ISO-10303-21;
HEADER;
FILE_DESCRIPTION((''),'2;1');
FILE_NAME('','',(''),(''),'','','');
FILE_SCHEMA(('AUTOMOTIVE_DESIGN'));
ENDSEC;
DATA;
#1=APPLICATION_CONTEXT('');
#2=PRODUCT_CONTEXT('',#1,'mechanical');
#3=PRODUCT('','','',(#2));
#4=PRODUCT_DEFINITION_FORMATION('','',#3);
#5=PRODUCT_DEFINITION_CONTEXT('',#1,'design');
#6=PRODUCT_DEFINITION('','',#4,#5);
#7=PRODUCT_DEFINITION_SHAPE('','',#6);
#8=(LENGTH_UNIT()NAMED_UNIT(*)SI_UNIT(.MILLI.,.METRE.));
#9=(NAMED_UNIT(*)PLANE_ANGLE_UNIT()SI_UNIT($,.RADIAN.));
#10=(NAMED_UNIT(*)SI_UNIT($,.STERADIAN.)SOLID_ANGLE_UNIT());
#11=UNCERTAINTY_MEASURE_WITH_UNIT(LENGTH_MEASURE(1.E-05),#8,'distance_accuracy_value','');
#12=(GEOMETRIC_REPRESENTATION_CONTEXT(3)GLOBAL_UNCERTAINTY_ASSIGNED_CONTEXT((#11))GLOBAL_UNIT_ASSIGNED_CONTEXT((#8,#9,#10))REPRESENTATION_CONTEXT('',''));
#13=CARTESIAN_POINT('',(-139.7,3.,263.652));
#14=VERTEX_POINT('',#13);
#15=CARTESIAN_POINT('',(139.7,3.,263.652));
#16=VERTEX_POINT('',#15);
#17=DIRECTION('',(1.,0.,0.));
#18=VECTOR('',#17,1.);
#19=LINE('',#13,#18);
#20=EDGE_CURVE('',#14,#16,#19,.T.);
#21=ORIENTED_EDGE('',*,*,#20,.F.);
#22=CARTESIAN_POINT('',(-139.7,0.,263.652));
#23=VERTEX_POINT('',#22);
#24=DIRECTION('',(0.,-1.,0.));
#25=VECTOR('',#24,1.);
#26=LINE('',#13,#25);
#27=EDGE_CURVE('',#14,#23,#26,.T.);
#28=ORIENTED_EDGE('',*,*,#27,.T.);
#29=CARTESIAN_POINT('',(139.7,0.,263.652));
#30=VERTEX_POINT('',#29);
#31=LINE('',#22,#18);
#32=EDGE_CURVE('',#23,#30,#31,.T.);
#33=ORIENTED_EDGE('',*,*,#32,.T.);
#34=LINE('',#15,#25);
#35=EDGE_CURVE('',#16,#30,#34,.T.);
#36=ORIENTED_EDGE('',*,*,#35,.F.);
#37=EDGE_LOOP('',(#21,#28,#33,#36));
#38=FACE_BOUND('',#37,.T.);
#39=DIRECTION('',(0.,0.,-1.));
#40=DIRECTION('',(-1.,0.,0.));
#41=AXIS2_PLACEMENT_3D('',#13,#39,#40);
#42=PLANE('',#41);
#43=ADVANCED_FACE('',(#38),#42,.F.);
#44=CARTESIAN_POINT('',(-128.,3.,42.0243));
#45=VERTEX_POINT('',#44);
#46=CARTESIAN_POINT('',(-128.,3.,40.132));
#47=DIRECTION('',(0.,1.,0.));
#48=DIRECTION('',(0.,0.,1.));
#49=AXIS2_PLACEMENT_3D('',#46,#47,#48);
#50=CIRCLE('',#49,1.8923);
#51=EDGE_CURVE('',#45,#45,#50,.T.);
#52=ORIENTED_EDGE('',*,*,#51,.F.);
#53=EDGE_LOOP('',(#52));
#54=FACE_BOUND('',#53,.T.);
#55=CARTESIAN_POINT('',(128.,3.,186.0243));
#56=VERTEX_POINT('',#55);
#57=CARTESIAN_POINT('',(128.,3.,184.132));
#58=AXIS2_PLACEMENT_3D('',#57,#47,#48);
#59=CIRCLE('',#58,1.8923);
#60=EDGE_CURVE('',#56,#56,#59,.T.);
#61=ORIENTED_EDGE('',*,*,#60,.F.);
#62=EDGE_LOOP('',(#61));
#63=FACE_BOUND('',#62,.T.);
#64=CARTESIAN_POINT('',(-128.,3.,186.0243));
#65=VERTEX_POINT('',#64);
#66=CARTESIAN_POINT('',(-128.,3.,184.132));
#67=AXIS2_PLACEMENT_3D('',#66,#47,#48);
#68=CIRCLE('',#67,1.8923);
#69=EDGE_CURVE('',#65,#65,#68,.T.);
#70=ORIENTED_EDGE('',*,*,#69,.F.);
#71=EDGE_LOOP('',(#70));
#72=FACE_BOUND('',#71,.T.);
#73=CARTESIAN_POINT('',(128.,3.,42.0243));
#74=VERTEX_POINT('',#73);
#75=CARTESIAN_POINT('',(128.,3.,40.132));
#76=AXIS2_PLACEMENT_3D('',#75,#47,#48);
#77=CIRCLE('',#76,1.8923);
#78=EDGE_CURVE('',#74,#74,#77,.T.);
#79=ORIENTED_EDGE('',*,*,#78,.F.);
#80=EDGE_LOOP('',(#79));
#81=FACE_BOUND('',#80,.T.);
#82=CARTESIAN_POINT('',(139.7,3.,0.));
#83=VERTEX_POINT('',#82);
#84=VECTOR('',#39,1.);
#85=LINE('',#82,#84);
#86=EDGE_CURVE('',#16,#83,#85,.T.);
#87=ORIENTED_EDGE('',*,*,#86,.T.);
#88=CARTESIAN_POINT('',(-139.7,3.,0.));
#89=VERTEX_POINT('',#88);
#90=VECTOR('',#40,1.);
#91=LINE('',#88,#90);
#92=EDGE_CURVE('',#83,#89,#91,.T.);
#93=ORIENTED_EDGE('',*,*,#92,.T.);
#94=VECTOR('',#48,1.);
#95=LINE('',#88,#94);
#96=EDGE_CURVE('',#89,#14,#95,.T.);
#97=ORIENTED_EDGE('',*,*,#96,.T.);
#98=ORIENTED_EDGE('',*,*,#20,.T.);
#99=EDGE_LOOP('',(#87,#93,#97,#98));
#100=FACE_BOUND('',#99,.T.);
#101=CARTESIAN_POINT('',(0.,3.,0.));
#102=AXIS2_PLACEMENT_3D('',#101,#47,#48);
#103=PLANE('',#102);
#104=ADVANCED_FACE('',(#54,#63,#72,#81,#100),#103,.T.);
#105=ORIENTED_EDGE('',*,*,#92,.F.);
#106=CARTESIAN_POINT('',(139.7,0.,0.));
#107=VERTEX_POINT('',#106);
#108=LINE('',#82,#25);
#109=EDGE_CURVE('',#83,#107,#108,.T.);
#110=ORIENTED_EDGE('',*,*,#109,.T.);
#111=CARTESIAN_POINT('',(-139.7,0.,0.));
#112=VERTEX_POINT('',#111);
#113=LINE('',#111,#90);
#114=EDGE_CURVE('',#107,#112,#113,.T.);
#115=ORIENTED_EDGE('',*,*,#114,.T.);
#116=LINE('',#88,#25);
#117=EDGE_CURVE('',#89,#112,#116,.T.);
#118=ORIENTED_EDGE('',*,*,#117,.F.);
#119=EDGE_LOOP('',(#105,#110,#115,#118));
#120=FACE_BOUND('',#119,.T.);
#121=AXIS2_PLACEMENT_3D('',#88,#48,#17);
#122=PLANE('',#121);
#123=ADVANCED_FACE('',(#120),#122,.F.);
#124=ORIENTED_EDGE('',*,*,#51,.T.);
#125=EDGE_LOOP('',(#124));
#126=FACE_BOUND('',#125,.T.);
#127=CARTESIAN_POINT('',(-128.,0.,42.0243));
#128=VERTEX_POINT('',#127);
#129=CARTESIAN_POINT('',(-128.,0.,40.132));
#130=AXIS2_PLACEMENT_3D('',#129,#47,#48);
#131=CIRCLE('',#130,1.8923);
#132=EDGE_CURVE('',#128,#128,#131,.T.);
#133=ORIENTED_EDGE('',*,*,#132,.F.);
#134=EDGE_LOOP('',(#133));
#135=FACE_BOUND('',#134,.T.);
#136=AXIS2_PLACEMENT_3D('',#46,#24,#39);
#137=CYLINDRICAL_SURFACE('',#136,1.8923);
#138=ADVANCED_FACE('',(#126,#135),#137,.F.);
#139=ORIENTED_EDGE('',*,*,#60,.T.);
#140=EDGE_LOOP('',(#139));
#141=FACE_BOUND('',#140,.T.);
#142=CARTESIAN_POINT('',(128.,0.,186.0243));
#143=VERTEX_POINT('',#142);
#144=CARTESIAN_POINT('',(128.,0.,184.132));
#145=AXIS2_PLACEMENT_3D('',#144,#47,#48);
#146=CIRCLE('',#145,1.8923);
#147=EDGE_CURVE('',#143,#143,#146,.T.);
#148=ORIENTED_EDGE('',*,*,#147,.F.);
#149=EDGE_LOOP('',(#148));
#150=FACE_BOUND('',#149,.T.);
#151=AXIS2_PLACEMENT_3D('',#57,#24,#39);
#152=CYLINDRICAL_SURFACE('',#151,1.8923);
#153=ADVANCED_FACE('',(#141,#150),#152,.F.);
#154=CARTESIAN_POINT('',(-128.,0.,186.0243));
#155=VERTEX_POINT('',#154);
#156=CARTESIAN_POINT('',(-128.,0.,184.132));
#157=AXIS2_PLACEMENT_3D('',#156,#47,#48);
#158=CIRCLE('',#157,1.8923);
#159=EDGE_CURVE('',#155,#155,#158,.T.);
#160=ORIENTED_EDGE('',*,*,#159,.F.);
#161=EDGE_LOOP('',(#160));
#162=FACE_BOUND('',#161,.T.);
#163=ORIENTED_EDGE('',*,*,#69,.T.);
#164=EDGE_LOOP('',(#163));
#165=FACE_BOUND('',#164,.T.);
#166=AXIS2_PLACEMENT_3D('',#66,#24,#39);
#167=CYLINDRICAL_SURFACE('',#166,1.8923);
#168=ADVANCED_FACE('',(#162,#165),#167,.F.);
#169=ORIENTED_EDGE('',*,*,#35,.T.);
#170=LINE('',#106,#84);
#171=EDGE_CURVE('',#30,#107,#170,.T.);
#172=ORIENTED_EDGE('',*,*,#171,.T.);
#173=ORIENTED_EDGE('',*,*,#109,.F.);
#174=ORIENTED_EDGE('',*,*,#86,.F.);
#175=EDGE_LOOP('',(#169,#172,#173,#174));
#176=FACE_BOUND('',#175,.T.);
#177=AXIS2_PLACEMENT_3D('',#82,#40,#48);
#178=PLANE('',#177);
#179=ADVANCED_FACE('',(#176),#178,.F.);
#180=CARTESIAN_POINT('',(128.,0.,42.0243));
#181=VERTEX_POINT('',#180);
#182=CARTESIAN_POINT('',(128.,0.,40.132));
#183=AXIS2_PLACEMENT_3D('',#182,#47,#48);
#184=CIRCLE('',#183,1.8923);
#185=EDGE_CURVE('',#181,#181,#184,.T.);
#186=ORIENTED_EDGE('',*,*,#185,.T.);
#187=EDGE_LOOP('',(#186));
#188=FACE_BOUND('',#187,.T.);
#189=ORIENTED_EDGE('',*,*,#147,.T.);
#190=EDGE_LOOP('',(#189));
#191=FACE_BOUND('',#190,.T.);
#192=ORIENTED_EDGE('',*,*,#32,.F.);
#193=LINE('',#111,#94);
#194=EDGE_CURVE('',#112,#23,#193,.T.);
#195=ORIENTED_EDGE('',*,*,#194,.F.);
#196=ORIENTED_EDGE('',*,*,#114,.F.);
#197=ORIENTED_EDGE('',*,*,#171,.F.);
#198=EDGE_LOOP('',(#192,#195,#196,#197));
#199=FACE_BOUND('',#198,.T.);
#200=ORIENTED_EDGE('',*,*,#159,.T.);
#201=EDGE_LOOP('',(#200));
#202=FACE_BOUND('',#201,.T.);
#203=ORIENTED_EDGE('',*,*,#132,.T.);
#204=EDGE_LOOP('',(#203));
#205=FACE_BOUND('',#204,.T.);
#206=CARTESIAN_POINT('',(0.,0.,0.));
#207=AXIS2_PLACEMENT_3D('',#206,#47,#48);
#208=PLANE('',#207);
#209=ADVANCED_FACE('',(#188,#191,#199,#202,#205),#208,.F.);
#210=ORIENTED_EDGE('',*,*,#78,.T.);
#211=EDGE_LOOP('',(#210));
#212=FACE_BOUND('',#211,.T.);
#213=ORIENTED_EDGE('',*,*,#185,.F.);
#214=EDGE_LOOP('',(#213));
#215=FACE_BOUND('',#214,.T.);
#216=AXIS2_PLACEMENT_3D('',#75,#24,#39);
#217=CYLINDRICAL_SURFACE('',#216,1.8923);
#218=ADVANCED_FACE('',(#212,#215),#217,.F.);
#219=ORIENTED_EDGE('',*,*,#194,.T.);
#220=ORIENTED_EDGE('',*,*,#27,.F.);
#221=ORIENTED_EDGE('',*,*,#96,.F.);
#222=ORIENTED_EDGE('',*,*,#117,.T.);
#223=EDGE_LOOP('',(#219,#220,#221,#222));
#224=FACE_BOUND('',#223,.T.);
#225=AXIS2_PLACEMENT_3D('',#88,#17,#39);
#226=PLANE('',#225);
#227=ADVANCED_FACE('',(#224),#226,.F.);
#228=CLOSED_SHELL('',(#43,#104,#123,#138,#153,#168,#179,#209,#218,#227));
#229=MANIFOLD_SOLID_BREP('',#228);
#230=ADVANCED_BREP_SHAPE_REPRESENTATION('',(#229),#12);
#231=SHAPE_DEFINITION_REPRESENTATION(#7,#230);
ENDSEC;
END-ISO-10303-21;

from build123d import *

# Parameters (mm, degrees)
SKETCH1_W           = 279.4
SKETCH1_H           = 263.652
SKETCH1_R           = 1.8923
BOSS_EXTRUDE1_DEPTH = 3


with BuildPart() as part:
    # Sketch1 → Boss-Extrude1 (new body)
    with BuildSketch(Plane(origin=(0, 0, 0), x_dir=(1, 0, 0), z_dir=(0, 1, 0))):
        with Locations((0, -131.826)):
            Rectangle(SKETCH1_W, SKETCH1_H)
        with Locations((-128, -40.132)):
            Circle(SKETCH1_R, mode=Mode.SUBTRACT)
        with Locations((128, -40.132)):
            Circle(SKETCH1_R, mode=Mode.SUBTRACT)
        with Locations((-128, -184.132)):
            Circle(SKETCH1_R, mode=Mode.SUBTRACT)
        with Locations((128, -184.132)):
            Circle(SKETCH1_R, mode=Mode.SUBTRACT)
    extrude(amount=BOSS_EXTRUDE1_DEPTH)


solid = part.part
